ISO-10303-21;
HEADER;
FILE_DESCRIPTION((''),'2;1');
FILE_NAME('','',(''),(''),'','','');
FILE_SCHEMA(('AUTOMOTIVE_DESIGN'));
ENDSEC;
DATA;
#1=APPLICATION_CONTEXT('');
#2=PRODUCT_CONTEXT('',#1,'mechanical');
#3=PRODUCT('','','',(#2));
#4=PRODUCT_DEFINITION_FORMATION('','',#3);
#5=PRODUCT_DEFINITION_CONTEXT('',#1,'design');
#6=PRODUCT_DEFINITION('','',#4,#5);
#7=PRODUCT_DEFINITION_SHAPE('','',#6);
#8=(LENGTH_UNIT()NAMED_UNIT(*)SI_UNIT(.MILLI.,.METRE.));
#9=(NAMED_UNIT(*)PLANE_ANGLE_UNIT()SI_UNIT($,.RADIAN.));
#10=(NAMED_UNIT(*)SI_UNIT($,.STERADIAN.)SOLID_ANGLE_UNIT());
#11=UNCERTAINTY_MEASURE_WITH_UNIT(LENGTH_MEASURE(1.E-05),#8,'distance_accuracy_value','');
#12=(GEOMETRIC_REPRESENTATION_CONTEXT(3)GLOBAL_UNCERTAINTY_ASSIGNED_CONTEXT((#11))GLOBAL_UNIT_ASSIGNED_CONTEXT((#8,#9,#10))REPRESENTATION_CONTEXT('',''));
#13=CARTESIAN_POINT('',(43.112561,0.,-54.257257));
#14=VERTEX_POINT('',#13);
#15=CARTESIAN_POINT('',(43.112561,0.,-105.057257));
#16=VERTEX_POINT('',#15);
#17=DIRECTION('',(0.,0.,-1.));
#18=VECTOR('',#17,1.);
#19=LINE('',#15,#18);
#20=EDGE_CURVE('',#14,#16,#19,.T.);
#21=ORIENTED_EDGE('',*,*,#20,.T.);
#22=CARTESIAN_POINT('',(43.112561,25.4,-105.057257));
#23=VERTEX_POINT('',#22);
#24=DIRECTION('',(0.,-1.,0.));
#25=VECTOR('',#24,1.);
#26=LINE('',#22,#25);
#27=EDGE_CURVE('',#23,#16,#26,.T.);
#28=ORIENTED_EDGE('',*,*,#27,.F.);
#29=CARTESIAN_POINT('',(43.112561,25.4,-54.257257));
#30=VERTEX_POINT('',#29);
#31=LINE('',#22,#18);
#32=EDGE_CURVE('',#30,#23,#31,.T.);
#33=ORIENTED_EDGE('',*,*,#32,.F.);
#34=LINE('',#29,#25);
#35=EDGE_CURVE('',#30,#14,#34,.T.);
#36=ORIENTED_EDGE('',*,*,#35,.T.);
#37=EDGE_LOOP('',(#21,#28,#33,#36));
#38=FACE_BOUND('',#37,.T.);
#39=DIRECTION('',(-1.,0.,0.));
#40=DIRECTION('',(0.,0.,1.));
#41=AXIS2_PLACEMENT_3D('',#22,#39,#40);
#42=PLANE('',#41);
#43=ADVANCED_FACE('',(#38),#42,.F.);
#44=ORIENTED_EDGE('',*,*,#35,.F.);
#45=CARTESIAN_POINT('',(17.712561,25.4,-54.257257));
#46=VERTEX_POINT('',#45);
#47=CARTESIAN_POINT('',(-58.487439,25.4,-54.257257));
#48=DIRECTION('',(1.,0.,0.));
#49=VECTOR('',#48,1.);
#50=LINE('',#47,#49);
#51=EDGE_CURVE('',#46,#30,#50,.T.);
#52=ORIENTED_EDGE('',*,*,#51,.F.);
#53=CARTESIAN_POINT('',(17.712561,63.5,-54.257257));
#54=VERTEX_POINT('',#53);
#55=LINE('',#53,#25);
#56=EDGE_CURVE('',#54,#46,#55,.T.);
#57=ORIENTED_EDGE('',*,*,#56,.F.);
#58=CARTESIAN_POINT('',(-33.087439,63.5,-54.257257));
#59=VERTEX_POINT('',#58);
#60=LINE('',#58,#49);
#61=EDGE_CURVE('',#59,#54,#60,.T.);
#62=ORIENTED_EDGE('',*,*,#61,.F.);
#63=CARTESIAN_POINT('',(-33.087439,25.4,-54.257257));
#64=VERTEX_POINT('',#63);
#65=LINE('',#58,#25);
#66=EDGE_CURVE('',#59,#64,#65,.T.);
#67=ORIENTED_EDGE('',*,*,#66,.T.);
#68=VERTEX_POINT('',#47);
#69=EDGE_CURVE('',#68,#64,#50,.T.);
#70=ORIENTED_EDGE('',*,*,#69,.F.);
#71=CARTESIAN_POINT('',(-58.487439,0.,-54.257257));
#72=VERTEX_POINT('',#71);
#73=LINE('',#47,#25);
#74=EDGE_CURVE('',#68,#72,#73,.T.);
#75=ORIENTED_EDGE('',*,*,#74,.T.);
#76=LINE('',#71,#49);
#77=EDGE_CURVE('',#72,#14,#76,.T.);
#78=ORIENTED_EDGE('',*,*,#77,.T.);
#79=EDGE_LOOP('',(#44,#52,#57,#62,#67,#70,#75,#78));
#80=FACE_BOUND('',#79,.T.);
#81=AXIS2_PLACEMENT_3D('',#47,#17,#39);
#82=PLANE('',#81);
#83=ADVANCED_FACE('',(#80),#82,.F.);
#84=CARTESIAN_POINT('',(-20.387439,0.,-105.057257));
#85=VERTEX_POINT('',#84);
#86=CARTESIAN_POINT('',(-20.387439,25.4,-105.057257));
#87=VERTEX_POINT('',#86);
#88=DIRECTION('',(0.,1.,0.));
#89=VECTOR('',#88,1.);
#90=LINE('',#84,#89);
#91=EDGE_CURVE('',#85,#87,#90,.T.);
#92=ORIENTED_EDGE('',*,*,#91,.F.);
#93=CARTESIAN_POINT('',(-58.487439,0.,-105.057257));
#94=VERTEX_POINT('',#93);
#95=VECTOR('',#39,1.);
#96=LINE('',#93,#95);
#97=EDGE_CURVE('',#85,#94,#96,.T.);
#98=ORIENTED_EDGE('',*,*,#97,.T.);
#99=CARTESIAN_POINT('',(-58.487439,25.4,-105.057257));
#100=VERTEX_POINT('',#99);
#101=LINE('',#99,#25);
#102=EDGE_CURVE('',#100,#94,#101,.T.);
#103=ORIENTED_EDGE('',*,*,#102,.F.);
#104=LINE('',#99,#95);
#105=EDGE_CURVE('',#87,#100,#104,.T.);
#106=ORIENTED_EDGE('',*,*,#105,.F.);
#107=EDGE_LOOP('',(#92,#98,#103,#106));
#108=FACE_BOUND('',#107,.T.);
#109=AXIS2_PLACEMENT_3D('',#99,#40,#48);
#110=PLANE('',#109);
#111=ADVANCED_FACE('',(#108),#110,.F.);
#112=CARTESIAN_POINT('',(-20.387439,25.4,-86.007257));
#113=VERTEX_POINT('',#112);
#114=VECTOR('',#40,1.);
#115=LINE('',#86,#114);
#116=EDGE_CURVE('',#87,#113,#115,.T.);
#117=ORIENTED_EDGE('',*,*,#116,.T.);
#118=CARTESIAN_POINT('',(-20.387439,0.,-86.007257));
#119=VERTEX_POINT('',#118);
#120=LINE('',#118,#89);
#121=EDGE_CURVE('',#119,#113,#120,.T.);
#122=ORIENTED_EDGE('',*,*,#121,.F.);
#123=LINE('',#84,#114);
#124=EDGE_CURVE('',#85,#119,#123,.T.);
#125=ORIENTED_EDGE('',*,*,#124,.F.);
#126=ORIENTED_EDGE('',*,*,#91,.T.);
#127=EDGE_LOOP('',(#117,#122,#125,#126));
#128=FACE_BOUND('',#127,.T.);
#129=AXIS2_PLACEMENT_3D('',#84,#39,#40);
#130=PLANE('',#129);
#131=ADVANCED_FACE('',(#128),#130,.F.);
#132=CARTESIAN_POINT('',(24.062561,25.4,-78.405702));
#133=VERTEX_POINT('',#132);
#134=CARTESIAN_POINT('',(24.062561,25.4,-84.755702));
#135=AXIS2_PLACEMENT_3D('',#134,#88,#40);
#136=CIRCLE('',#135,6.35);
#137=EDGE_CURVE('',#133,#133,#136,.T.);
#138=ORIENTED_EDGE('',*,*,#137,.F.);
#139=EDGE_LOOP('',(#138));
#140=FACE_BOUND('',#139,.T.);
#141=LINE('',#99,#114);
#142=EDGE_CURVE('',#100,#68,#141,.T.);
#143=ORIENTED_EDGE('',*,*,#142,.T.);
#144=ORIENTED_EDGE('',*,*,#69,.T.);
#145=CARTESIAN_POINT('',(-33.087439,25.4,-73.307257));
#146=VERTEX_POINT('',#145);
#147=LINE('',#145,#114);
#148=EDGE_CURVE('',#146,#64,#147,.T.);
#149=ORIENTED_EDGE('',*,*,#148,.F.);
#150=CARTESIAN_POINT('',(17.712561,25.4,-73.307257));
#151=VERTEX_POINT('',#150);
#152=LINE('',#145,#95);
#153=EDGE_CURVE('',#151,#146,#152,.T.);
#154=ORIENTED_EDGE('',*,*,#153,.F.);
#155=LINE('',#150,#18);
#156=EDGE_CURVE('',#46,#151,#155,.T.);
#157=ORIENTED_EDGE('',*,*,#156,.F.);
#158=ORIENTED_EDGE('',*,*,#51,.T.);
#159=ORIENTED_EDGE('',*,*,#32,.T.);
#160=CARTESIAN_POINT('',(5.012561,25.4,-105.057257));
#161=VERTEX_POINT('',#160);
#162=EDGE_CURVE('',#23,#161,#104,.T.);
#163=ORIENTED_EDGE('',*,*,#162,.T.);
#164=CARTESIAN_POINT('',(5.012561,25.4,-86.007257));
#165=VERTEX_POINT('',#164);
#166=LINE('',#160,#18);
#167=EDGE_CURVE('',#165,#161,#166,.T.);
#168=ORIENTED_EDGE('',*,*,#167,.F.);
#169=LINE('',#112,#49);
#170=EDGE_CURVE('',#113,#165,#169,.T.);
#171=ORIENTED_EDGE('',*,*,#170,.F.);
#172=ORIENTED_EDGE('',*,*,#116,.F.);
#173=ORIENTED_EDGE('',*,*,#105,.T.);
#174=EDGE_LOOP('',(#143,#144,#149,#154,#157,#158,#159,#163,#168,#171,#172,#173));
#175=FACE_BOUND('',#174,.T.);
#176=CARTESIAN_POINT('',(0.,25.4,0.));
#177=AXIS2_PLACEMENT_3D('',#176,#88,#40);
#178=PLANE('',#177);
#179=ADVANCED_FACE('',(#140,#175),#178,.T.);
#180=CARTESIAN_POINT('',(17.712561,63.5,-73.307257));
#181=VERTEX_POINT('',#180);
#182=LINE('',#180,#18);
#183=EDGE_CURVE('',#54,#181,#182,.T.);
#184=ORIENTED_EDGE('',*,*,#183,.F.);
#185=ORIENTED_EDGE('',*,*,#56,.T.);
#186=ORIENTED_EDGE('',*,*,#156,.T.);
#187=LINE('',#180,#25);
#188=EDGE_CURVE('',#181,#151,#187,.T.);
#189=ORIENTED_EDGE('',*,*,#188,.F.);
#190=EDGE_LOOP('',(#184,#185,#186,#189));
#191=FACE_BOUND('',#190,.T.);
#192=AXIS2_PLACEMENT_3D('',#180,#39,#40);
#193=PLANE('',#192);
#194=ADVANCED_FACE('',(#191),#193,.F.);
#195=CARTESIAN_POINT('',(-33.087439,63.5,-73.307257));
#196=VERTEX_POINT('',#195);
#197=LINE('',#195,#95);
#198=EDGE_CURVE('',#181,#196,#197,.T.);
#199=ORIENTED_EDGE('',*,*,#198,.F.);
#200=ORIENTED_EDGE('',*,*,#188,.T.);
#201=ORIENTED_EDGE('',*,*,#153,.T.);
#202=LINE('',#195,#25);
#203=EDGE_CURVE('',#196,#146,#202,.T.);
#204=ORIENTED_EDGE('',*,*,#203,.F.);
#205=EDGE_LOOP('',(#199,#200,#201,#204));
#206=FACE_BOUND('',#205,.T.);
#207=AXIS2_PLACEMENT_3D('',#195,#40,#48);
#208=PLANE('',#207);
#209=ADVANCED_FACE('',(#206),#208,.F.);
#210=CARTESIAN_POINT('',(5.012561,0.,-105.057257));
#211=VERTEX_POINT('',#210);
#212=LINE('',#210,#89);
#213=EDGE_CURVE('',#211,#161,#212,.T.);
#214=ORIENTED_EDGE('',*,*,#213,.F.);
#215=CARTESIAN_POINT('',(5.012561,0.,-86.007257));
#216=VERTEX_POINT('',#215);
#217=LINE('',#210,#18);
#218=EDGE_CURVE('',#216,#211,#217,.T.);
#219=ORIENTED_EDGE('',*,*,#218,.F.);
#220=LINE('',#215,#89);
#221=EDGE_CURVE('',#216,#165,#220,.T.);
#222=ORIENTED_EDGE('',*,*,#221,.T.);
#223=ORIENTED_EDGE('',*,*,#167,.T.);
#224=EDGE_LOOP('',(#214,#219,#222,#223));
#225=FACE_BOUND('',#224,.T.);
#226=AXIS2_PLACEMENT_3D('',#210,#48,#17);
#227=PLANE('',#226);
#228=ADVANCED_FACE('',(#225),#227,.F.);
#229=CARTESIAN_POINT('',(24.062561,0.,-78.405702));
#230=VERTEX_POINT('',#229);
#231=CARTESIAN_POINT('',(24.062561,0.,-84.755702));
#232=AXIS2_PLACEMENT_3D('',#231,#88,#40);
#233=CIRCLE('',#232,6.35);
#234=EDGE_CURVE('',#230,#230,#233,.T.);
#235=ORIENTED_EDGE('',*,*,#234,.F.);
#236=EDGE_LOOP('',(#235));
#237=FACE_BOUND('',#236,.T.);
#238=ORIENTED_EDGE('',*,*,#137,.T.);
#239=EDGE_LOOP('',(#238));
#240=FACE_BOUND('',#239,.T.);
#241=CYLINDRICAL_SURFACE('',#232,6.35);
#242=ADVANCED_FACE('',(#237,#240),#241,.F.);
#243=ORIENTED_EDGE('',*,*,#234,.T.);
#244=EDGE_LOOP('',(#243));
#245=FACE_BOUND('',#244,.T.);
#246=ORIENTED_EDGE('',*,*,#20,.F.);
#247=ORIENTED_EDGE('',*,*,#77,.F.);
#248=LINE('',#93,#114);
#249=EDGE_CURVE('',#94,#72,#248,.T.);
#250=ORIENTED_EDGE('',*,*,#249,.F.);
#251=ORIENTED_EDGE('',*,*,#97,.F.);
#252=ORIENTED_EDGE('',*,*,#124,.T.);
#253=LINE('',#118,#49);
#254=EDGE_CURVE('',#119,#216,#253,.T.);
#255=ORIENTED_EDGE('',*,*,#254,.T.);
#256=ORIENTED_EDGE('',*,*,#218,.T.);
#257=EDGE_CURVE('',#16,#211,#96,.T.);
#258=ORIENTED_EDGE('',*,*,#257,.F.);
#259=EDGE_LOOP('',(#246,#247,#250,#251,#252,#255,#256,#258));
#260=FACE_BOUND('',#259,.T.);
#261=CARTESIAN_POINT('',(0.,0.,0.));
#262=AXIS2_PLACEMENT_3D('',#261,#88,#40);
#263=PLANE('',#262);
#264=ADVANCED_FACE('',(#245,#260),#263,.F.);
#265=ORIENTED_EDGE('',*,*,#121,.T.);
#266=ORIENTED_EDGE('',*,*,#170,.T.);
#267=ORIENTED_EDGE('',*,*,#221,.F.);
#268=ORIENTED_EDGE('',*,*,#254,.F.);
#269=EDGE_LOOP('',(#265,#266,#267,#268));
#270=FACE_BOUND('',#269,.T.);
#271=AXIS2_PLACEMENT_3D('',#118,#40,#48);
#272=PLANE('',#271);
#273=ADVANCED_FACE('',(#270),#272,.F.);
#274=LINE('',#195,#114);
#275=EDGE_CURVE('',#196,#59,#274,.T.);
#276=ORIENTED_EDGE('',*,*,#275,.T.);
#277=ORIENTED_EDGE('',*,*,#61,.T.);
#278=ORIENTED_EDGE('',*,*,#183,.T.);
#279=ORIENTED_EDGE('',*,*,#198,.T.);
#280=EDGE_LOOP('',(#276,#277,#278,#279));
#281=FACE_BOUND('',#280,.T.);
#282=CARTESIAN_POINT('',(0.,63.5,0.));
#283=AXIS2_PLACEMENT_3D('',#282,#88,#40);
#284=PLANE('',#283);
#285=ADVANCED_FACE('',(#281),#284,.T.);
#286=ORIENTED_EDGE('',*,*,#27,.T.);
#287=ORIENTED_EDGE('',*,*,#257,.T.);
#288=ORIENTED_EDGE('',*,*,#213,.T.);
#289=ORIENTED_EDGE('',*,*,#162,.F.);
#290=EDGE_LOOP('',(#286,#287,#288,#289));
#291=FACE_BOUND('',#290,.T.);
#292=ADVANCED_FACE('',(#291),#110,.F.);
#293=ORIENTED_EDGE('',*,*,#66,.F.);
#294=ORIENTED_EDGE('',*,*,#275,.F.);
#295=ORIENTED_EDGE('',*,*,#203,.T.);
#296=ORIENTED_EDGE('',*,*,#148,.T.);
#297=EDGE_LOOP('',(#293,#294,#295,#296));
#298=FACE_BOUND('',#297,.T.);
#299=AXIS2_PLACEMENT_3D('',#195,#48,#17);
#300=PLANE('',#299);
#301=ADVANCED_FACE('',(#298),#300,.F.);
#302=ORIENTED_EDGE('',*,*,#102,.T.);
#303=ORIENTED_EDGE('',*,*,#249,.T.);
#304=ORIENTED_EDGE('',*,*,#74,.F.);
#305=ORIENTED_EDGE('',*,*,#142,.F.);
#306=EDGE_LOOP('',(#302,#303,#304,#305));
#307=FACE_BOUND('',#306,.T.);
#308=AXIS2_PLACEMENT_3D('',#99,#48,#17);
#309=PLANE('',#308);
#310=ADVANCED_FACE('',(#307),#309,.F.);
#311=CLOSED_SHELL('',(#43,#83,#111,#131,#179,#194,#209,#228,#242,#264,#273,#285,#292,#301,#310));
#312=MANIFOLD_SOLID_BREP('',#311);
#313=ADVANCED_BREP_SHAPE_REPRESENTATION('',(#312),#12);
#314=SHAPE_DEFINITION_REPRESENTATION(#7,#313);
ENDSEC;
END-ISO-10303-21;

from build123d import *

# Parameters (mm, degrees)
SKETCH1_W           = 101.6
SKETCH1_H           = 50.8
BOSS_EXTRUDE1_DEPTH = 25.4
SKETCH2_W           = 25.4
SKETCH2_H           = 19.05
CUT_EXTRUDE1_DEPTH  = 26.4
SKETCH5_W           = 50.8
SKETCH5_H           = 19.05
BOSS_EXTRUDE3_DEPTH = 38.1
SKETCH7_R           = 6.35
CUT_EXTRUDE2_DEPTH  = 26.4


with BuildPart() as part:
    # Sketch1 → Boss-Extrude1 (new body)
    with BuildSketch(Plane(origin=(0, 0, 0), x_dir=(1, 0, 0), z_dir=(0, 1, 0))):
        with Locations((-7.687438987, 79.657257194)):
            Rectangle(SKETCH1_W, SKETCH1_H)
    extrude(amount=BOSS_EXTRUDE1_DEPTH)

    # Sketch2 → Cut-Extrude1 (cut, through all)
    with BuildSketch(Plane(origin=(0, 25.4, 0), x_dir=(1, 0, 0), z_dir=(0, 1, 0))):
        with Locations((-7.687438987, 95.532257194)):
            Rectangle(SKETCH2_W, SKETCH2_H)
    extrude(amount=-CUT_EXTRUDE1_DEPTH, mode=Mode.SUBTRACT)

    # Sketch5 → Boss-Extrude3 (add)
    with BuildSketch(Plane(origin=(0, 25.4, 0), x_dir=(1, 0, 0), z_dir=(0, 1, 0))):
        with Locations((-7.687438987, 63.782257194)):
            Rectangle(SKETCH5_W, SKETCH5_H)
    extrude(amount=BOSS_EXTRUDE3_DEPTH)

    # Sketch7 → Cut-Extrude2 (cut, through all)
    with BuildSketch(Plane(origin=(0, 25.4, 0), x_dir=(1, 0, 0), z_dir=(0, 1, 0))):
        with Locations((24.062561013, 84.755702101)):
            Circle(SKETCH7_R)
    extrude(amount=-CUT_EXTRUDE2_DEPTH, mode=Mode.SUBTRACT)


solid = part.part
